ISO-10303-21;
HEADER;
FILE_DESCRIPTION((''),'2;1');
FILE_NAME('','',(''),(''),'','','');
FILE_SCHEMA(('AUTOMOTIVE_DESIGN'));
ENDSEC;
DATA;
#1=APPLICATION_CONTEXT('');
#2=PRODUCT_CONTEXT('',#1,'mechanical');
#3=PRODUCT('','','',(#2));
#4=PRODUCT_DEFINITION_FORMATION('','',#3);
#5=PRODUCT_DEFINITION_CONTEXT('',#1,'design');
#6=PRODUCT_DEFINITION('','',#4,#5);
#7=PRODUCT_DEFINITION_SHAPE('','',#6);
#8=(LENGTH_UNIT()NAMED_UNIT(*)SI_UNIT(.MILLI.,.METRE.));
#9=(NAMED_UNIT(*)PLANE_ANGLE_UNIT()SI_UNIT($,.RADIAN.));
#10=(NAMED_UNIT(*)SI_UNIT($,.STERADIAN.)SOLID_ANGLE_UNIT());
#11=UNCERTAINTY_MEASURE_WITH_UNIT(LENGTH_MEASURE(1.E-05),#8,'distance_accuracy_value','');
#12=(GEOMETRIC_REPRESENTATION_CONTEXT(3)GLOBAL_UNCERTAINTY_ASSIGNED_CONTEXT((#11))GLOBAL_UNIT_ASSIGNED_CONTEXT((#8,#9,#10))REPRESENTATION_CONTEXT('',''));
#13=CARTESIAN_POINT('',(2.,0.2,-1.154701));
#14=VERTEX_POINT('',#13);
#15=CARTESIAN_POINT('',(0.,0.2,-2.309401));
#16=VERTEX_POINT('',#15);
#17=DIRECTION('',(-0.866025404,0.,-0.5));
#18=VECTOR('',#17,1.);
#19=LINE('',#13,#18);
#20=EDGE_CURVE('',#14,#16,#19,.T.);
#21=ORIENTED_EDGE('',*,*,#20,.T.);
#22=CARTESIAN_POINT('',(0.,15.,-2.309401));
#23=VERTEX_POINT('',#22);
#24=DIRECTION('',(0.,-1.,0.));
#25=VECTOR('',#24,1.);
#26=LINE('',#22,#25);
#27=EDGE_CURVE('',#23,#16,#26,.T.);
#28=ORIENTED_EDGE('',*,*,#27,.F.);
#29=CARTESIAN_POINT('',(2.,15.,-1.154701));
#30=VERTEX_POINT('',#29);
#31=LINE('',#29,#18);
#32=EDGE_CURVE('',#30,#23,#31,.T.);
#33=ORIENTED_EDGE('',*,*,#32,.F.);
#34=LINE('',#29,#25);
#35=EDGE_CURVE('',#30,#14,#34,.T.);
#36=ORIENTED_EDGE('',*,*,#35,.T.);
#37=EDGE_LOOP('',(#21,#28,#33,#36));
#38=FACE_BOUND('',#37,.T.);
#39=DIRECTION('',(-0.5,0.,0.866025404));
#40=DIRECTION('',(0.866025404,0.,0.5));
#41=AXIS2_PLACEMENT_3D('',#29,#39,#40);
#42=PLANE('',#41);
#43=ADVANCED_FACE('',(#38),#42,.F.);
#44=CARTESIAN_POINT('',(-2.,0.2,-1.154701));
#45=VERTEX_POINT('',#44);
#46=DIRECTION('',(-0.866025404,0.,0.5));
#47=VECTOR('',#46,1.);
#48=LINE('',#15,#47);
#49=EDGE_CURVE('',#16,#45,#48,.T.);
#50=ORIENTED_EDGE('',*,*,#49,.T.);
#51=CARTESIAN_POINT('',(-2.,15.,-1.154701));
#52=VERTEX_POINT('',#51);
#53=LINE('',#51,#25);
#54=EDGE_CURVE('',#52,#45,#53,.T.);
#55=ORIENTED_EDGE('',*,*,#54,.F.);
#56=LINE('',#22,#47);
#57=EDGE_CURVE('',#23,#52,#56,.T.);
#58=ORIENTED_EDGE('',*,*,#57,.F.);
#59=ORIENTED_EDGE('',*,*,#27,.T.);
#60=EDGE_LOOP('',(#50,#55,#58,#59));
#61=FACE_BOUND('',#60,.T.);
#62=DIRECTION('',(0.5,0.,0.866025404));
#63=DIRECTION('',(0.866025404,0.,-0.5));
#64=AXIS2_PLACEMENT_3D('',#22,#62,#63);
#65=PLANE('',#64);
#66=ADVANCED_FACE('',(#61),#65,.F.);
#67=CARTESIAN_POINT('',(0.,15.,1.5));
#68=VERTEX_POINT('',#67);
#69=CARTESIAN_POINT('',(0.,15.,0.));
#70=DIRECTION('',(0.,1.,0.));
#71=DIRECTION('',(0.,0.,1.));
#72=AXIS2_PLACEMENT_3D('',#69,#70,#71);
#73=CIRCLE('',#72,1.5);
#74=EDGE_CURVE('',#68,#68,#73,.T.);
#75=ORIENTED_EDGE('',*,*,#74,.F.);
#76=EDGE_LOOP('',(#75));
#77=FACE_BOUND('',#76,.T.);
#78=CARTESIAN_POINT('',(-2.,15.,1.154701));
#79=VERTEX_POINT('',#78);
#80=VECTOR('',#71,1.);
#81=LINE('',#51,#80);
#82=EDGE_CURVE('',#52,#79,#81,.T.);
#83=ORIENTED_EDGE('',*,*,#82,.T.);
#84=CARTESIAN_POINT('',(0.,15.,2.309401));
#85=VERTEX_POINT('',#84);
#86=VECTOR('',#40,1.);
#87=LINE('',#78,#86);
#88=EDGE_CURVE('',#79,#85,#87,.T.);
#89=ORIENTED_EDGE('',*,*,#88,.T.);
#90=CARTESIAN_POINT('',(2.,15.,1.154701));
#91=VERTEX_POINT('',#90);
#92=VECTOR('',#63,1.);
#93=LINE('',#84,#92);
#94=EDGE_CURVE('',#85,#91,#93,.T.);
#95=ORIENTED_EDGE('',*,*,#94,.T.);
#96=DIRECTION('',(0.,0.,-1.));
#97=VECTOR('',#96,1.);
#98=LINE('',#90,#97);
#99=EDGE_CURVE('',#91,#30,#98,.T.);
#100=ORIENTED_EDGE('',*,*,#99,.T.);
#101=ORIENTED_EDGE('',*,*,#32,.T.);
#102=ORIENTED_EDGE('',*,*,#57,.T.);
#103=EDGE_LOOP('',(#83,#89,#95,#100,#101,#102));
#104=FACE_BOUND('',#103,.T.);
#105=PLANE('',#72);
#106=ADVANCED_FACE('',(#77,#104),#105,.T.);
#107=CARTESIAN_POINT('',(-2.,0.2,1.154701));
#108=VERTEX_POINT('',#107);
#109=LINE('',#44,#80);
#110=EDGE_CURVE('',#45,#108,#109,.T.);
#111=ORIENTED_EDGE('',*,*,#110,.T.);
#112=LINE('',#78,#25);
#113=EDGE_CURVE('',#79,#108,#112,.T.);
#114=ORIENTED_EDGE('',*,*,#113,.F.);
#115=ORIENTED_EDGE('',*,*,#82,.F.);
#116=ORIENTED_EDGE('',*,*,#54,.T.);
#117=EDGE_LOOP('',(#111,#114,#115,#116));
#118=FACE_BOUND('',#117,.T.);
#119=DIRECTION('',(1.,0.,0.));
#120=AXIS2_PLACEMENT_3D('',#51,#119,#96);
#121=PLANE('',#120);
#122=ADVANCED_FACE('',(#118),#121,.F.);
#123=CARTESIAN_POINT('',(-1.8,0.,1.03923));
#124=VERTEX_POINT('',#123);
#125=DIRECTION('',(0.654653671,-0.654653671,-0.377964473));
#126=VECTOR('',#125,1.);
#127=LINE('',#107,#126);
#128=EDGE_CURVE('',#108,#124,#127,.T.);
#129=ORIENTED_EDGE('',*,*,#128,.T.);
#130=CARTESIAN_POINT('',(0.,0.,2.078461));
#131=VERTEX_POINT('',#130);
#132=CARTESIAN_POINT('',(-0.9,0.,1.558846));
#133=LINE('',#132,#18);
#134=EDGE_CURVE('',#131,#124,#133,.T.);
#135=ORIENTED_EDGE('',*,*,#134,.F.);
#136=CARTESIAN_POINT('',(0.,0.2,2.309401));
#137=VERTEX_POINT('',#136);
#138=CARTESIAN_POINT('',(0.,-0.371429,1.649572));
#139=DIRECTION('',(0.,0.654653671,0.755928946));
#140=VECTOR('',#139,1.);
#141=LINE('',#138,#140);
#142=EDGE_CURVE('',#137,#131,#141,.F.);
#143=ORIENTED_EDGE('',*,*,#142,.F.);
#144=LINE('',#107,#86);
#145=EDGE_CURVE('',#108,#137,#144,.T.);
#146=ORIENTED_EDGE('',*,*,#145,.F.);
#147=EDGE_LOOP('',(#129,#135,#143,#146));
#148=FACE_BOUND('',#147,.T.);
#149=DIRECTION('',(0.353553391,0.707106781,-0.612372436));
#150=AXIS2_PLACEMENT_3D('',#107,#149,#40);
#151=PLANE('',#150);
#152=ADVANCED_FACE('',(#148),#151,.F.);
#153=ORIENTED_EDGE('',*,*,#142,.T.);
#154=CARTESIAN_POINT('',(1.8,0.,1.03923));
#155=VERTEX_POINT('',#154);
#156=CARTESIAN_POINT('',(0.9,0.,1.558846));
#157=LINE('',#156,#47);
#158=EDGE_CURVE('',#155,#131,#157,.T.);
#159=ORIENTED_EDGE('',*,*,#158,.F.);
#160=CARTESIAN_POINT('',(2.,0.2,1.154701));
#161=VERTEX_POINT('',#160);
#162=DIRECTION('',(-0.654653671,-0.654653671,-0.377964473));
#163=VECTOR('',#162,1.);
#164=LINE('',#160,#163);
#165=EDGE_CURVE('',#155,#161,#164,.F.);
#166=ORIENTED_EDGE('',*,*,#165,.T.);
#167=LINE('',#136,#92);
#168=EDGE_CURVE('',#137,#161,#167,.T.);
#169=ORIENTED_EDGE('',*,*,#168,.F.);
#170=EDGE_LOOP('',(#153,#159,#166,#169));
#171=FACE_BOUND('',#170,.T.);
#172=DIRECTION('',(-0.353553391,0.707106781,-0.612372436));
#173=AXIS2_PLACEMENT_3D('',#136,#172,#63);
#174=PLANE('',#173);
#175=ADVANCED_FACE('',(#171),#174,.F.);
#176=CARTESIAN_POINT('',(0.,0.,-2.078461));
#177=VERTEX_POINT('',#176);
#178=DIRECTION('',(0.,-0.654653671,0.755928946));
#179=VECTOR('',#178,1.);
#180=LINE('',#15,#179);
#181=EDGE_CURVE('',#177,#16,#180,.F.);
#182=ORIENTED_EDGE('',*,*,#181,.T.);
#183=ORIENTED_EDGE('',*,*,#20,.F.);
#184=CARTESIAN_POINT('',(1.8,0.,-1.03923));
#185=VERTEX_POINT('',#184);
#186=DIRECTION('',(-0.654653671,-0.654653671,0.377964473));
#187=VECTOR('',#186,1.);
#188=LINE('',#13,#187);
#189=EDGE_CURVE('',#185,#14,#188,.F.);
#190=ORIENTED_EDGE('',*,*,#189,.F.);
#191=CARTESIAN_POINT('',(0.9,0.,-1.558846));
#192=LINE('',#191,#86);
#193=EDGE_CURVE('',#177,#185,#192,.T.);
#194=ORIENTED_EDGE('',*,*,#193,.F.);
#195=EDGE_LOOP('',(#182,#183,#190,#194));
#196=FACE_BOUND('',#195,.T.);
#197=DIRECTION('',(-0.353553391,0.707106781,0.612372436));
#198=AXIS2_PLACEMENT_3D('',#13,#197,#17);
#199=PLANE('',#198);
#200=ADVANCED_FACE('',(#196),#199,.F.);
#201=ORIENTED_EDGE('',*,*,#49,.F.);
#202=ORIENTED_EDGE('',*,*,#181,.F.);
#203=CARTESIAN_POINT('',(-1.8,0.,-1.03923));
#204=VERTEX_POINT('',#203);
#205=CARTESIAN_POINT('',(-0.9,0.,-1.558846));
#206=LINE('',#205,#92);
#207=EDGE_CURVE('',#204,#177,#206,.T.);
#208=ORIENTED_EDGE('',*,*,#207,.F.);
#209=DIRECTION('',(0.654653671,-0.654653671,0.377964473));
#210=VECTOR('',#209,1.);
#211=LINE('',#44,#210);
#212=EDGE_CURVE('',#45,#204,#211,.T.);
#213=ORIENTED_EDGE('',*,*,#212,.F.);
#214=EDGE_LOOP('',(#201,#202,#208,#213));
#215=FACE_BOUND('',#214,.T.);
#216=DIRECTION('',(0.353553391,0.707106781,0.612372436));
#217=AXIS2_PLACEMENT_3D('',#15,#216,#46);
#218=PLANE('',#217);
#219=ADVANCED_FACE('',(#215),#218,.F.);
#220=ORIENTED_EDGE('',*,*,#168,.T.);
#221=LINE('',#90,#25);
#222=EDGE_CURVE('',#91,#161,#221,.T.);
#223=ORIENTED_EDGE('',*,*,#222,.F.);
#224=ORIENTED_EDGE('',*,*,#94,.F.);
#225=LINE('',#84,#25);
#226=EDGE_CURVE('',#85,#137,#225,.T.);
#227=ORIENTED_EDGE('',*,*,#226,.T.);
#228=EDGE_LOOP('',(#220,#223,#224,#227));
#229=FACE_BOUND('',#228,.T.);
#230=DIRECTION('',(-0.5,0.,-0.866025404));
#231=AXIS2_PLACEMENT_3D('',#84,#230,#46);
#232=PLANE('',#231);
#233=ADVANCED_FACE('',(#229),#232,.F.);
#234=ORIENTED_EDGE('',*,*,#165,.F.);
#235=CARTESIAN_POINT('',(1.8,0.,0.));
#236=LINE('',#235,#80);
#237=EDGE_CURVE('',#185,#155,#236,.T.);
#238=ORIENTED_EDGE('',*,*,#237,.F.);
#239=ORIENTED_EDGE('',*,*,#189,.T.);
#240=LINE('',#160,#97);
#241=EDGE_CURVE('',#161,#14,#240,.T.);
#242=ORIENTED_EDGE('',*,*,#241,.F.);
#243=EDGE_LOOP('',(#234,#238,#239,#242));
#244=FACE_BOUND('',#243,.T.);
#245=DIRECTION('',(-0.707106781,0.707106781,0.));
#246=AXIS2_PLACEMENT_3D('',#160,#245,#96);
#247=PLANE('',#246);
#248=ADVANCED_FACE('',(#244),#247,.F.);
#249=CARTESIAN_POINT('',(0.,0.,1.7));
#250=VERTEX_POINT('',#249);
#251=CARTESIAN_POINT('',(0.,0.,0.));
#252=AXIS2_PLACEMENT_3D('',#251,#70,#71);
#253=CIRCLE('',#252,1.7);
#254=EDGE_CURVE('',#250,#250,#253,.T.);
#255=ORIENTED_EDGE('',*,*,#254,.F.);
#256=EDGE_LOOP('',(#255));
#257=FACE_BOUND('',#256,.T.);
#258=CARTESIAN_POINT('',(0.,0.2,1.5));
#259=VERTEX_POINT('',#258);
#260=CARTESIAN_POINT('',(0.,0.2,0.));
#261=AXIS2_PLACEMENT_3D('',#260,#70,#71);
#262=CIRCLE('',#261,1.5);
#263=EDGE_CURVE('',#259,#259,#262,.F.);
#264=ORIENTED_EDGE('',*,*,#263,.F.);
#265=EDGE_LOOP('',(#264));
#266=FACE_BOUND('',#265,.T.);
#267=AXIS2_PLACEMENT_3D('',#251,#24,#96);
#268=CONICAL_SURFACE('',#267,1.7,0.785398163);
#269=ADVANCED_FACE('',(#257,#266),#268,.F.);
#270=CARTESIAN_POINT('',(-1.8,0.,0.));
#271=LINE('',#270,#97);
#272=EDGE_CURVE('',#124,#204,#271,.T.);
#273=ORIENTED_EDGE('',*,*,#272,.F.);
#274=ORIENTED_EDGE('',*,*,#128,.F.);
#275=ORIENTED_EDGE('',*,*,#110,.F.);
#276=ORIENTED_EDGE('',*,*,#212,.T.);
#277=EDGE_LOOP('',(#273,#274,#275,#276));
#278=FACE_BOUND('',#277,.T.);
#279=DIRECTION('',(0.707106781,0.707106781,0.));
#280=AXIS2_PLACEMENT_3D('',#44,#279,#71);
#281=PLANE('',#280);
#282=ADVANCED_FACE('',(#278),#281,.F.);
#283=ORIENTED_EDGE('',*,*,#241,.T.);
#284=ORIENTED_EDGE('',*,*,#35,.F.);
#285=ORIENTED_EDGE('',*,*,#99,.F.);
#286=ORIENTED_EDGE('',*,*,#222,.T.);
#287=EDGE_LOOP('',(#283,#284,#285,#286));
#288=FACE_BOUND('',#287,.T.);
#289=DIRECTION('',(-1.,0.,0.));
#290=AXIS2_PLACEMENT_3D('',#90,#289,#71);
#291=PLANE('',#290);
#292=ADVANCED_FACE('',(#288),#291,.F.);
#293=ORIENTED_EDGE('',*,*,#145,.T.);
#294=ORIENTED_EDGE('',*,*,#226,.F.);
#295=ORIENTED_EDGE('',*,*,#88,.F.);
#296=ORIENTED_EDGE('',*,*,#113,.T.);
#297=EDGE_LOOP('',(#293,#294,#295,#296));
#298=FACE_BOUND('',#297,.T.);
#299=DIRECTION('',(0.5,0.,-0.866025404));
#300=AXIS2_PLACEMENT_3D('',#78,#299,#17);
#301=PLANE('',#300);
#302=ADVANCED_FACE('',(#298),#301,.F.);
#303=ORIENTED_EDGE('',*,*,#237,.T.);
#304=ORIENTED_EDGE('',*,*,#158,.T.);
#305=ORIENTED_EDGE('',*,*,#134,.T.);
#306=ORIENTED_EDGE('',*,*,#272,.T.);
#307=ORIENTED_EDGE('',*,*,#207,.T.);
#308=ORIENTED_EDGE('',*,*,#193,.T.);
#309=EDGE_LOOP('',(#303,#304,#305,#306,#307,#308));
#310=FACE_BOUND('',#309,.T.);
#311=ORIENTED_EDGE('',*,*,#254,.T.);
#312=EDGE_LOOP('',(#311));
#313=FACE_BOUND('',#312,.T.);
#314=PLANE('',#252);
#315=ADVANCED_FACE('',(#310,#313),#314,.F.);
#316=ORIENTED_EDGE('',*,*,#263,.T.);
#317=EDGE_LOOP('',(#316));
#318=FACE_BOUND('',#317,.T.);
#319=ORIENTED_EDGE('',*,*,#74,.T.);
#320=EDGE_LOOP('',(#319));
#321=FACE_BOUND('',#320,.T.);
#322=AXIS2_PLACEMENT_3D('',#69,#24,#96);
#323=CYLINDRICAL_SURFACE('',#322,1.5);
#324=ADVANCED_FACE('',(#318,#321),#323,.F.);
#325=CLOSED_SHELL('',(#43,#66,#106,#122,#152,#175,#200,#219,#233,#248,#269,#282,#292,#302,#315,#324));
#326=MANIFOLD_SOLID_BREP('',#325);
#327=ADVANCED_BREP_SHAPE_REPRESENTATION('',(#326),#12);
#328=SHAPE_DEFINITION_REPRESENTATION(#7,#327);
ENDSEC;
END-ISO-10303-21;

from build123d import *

# Parameters (mm, degrees)
ESQUISSE1_R        = 1.5
BOSS_EXTRU_1_DEPTH = 15
CHANFREIN1_SIZE    = 0.2


with BuildPart() as part:
    # Esquisse1 → Boss.-Extru.1 (new body)
    with BuildSketch(Plane(origin=(0, 0, 0), x_dir=(1, 0, 0), z_dir=(0, 1, 0))):
        Polygon((0, -2.309401077), (2, -1.154700538), (2, 1.154700538), (0, 2.309401077), (-2, 1.154700538), (-2, -1.154700538), align=None)
        with Locations(Location((0, 0, 0), (0, 0, 270))):
            Circle(ESQUISSE1_R, mode=Mode.SUBTRACT)
    extrude(amount=BOSS_EXTRU_1_DEPTH)

    # Chanfrein1
    chanfrein1_edges = [part.edges().sort_by_distance(p)[0] for p in [
        (0, 0, -1.5),
        (-2, 0, 0),
        (-1, 0, -1.732050808),
        (1, 0, -1.732050808),
        (2, 0, 0),
        (1, 0, 1.732050808),
        (-1, 0, 1.732050808),
    ]]
    chamfer(chanfrein1_edges, length=CHANFREIN1_SIZE)


solid = part.part
